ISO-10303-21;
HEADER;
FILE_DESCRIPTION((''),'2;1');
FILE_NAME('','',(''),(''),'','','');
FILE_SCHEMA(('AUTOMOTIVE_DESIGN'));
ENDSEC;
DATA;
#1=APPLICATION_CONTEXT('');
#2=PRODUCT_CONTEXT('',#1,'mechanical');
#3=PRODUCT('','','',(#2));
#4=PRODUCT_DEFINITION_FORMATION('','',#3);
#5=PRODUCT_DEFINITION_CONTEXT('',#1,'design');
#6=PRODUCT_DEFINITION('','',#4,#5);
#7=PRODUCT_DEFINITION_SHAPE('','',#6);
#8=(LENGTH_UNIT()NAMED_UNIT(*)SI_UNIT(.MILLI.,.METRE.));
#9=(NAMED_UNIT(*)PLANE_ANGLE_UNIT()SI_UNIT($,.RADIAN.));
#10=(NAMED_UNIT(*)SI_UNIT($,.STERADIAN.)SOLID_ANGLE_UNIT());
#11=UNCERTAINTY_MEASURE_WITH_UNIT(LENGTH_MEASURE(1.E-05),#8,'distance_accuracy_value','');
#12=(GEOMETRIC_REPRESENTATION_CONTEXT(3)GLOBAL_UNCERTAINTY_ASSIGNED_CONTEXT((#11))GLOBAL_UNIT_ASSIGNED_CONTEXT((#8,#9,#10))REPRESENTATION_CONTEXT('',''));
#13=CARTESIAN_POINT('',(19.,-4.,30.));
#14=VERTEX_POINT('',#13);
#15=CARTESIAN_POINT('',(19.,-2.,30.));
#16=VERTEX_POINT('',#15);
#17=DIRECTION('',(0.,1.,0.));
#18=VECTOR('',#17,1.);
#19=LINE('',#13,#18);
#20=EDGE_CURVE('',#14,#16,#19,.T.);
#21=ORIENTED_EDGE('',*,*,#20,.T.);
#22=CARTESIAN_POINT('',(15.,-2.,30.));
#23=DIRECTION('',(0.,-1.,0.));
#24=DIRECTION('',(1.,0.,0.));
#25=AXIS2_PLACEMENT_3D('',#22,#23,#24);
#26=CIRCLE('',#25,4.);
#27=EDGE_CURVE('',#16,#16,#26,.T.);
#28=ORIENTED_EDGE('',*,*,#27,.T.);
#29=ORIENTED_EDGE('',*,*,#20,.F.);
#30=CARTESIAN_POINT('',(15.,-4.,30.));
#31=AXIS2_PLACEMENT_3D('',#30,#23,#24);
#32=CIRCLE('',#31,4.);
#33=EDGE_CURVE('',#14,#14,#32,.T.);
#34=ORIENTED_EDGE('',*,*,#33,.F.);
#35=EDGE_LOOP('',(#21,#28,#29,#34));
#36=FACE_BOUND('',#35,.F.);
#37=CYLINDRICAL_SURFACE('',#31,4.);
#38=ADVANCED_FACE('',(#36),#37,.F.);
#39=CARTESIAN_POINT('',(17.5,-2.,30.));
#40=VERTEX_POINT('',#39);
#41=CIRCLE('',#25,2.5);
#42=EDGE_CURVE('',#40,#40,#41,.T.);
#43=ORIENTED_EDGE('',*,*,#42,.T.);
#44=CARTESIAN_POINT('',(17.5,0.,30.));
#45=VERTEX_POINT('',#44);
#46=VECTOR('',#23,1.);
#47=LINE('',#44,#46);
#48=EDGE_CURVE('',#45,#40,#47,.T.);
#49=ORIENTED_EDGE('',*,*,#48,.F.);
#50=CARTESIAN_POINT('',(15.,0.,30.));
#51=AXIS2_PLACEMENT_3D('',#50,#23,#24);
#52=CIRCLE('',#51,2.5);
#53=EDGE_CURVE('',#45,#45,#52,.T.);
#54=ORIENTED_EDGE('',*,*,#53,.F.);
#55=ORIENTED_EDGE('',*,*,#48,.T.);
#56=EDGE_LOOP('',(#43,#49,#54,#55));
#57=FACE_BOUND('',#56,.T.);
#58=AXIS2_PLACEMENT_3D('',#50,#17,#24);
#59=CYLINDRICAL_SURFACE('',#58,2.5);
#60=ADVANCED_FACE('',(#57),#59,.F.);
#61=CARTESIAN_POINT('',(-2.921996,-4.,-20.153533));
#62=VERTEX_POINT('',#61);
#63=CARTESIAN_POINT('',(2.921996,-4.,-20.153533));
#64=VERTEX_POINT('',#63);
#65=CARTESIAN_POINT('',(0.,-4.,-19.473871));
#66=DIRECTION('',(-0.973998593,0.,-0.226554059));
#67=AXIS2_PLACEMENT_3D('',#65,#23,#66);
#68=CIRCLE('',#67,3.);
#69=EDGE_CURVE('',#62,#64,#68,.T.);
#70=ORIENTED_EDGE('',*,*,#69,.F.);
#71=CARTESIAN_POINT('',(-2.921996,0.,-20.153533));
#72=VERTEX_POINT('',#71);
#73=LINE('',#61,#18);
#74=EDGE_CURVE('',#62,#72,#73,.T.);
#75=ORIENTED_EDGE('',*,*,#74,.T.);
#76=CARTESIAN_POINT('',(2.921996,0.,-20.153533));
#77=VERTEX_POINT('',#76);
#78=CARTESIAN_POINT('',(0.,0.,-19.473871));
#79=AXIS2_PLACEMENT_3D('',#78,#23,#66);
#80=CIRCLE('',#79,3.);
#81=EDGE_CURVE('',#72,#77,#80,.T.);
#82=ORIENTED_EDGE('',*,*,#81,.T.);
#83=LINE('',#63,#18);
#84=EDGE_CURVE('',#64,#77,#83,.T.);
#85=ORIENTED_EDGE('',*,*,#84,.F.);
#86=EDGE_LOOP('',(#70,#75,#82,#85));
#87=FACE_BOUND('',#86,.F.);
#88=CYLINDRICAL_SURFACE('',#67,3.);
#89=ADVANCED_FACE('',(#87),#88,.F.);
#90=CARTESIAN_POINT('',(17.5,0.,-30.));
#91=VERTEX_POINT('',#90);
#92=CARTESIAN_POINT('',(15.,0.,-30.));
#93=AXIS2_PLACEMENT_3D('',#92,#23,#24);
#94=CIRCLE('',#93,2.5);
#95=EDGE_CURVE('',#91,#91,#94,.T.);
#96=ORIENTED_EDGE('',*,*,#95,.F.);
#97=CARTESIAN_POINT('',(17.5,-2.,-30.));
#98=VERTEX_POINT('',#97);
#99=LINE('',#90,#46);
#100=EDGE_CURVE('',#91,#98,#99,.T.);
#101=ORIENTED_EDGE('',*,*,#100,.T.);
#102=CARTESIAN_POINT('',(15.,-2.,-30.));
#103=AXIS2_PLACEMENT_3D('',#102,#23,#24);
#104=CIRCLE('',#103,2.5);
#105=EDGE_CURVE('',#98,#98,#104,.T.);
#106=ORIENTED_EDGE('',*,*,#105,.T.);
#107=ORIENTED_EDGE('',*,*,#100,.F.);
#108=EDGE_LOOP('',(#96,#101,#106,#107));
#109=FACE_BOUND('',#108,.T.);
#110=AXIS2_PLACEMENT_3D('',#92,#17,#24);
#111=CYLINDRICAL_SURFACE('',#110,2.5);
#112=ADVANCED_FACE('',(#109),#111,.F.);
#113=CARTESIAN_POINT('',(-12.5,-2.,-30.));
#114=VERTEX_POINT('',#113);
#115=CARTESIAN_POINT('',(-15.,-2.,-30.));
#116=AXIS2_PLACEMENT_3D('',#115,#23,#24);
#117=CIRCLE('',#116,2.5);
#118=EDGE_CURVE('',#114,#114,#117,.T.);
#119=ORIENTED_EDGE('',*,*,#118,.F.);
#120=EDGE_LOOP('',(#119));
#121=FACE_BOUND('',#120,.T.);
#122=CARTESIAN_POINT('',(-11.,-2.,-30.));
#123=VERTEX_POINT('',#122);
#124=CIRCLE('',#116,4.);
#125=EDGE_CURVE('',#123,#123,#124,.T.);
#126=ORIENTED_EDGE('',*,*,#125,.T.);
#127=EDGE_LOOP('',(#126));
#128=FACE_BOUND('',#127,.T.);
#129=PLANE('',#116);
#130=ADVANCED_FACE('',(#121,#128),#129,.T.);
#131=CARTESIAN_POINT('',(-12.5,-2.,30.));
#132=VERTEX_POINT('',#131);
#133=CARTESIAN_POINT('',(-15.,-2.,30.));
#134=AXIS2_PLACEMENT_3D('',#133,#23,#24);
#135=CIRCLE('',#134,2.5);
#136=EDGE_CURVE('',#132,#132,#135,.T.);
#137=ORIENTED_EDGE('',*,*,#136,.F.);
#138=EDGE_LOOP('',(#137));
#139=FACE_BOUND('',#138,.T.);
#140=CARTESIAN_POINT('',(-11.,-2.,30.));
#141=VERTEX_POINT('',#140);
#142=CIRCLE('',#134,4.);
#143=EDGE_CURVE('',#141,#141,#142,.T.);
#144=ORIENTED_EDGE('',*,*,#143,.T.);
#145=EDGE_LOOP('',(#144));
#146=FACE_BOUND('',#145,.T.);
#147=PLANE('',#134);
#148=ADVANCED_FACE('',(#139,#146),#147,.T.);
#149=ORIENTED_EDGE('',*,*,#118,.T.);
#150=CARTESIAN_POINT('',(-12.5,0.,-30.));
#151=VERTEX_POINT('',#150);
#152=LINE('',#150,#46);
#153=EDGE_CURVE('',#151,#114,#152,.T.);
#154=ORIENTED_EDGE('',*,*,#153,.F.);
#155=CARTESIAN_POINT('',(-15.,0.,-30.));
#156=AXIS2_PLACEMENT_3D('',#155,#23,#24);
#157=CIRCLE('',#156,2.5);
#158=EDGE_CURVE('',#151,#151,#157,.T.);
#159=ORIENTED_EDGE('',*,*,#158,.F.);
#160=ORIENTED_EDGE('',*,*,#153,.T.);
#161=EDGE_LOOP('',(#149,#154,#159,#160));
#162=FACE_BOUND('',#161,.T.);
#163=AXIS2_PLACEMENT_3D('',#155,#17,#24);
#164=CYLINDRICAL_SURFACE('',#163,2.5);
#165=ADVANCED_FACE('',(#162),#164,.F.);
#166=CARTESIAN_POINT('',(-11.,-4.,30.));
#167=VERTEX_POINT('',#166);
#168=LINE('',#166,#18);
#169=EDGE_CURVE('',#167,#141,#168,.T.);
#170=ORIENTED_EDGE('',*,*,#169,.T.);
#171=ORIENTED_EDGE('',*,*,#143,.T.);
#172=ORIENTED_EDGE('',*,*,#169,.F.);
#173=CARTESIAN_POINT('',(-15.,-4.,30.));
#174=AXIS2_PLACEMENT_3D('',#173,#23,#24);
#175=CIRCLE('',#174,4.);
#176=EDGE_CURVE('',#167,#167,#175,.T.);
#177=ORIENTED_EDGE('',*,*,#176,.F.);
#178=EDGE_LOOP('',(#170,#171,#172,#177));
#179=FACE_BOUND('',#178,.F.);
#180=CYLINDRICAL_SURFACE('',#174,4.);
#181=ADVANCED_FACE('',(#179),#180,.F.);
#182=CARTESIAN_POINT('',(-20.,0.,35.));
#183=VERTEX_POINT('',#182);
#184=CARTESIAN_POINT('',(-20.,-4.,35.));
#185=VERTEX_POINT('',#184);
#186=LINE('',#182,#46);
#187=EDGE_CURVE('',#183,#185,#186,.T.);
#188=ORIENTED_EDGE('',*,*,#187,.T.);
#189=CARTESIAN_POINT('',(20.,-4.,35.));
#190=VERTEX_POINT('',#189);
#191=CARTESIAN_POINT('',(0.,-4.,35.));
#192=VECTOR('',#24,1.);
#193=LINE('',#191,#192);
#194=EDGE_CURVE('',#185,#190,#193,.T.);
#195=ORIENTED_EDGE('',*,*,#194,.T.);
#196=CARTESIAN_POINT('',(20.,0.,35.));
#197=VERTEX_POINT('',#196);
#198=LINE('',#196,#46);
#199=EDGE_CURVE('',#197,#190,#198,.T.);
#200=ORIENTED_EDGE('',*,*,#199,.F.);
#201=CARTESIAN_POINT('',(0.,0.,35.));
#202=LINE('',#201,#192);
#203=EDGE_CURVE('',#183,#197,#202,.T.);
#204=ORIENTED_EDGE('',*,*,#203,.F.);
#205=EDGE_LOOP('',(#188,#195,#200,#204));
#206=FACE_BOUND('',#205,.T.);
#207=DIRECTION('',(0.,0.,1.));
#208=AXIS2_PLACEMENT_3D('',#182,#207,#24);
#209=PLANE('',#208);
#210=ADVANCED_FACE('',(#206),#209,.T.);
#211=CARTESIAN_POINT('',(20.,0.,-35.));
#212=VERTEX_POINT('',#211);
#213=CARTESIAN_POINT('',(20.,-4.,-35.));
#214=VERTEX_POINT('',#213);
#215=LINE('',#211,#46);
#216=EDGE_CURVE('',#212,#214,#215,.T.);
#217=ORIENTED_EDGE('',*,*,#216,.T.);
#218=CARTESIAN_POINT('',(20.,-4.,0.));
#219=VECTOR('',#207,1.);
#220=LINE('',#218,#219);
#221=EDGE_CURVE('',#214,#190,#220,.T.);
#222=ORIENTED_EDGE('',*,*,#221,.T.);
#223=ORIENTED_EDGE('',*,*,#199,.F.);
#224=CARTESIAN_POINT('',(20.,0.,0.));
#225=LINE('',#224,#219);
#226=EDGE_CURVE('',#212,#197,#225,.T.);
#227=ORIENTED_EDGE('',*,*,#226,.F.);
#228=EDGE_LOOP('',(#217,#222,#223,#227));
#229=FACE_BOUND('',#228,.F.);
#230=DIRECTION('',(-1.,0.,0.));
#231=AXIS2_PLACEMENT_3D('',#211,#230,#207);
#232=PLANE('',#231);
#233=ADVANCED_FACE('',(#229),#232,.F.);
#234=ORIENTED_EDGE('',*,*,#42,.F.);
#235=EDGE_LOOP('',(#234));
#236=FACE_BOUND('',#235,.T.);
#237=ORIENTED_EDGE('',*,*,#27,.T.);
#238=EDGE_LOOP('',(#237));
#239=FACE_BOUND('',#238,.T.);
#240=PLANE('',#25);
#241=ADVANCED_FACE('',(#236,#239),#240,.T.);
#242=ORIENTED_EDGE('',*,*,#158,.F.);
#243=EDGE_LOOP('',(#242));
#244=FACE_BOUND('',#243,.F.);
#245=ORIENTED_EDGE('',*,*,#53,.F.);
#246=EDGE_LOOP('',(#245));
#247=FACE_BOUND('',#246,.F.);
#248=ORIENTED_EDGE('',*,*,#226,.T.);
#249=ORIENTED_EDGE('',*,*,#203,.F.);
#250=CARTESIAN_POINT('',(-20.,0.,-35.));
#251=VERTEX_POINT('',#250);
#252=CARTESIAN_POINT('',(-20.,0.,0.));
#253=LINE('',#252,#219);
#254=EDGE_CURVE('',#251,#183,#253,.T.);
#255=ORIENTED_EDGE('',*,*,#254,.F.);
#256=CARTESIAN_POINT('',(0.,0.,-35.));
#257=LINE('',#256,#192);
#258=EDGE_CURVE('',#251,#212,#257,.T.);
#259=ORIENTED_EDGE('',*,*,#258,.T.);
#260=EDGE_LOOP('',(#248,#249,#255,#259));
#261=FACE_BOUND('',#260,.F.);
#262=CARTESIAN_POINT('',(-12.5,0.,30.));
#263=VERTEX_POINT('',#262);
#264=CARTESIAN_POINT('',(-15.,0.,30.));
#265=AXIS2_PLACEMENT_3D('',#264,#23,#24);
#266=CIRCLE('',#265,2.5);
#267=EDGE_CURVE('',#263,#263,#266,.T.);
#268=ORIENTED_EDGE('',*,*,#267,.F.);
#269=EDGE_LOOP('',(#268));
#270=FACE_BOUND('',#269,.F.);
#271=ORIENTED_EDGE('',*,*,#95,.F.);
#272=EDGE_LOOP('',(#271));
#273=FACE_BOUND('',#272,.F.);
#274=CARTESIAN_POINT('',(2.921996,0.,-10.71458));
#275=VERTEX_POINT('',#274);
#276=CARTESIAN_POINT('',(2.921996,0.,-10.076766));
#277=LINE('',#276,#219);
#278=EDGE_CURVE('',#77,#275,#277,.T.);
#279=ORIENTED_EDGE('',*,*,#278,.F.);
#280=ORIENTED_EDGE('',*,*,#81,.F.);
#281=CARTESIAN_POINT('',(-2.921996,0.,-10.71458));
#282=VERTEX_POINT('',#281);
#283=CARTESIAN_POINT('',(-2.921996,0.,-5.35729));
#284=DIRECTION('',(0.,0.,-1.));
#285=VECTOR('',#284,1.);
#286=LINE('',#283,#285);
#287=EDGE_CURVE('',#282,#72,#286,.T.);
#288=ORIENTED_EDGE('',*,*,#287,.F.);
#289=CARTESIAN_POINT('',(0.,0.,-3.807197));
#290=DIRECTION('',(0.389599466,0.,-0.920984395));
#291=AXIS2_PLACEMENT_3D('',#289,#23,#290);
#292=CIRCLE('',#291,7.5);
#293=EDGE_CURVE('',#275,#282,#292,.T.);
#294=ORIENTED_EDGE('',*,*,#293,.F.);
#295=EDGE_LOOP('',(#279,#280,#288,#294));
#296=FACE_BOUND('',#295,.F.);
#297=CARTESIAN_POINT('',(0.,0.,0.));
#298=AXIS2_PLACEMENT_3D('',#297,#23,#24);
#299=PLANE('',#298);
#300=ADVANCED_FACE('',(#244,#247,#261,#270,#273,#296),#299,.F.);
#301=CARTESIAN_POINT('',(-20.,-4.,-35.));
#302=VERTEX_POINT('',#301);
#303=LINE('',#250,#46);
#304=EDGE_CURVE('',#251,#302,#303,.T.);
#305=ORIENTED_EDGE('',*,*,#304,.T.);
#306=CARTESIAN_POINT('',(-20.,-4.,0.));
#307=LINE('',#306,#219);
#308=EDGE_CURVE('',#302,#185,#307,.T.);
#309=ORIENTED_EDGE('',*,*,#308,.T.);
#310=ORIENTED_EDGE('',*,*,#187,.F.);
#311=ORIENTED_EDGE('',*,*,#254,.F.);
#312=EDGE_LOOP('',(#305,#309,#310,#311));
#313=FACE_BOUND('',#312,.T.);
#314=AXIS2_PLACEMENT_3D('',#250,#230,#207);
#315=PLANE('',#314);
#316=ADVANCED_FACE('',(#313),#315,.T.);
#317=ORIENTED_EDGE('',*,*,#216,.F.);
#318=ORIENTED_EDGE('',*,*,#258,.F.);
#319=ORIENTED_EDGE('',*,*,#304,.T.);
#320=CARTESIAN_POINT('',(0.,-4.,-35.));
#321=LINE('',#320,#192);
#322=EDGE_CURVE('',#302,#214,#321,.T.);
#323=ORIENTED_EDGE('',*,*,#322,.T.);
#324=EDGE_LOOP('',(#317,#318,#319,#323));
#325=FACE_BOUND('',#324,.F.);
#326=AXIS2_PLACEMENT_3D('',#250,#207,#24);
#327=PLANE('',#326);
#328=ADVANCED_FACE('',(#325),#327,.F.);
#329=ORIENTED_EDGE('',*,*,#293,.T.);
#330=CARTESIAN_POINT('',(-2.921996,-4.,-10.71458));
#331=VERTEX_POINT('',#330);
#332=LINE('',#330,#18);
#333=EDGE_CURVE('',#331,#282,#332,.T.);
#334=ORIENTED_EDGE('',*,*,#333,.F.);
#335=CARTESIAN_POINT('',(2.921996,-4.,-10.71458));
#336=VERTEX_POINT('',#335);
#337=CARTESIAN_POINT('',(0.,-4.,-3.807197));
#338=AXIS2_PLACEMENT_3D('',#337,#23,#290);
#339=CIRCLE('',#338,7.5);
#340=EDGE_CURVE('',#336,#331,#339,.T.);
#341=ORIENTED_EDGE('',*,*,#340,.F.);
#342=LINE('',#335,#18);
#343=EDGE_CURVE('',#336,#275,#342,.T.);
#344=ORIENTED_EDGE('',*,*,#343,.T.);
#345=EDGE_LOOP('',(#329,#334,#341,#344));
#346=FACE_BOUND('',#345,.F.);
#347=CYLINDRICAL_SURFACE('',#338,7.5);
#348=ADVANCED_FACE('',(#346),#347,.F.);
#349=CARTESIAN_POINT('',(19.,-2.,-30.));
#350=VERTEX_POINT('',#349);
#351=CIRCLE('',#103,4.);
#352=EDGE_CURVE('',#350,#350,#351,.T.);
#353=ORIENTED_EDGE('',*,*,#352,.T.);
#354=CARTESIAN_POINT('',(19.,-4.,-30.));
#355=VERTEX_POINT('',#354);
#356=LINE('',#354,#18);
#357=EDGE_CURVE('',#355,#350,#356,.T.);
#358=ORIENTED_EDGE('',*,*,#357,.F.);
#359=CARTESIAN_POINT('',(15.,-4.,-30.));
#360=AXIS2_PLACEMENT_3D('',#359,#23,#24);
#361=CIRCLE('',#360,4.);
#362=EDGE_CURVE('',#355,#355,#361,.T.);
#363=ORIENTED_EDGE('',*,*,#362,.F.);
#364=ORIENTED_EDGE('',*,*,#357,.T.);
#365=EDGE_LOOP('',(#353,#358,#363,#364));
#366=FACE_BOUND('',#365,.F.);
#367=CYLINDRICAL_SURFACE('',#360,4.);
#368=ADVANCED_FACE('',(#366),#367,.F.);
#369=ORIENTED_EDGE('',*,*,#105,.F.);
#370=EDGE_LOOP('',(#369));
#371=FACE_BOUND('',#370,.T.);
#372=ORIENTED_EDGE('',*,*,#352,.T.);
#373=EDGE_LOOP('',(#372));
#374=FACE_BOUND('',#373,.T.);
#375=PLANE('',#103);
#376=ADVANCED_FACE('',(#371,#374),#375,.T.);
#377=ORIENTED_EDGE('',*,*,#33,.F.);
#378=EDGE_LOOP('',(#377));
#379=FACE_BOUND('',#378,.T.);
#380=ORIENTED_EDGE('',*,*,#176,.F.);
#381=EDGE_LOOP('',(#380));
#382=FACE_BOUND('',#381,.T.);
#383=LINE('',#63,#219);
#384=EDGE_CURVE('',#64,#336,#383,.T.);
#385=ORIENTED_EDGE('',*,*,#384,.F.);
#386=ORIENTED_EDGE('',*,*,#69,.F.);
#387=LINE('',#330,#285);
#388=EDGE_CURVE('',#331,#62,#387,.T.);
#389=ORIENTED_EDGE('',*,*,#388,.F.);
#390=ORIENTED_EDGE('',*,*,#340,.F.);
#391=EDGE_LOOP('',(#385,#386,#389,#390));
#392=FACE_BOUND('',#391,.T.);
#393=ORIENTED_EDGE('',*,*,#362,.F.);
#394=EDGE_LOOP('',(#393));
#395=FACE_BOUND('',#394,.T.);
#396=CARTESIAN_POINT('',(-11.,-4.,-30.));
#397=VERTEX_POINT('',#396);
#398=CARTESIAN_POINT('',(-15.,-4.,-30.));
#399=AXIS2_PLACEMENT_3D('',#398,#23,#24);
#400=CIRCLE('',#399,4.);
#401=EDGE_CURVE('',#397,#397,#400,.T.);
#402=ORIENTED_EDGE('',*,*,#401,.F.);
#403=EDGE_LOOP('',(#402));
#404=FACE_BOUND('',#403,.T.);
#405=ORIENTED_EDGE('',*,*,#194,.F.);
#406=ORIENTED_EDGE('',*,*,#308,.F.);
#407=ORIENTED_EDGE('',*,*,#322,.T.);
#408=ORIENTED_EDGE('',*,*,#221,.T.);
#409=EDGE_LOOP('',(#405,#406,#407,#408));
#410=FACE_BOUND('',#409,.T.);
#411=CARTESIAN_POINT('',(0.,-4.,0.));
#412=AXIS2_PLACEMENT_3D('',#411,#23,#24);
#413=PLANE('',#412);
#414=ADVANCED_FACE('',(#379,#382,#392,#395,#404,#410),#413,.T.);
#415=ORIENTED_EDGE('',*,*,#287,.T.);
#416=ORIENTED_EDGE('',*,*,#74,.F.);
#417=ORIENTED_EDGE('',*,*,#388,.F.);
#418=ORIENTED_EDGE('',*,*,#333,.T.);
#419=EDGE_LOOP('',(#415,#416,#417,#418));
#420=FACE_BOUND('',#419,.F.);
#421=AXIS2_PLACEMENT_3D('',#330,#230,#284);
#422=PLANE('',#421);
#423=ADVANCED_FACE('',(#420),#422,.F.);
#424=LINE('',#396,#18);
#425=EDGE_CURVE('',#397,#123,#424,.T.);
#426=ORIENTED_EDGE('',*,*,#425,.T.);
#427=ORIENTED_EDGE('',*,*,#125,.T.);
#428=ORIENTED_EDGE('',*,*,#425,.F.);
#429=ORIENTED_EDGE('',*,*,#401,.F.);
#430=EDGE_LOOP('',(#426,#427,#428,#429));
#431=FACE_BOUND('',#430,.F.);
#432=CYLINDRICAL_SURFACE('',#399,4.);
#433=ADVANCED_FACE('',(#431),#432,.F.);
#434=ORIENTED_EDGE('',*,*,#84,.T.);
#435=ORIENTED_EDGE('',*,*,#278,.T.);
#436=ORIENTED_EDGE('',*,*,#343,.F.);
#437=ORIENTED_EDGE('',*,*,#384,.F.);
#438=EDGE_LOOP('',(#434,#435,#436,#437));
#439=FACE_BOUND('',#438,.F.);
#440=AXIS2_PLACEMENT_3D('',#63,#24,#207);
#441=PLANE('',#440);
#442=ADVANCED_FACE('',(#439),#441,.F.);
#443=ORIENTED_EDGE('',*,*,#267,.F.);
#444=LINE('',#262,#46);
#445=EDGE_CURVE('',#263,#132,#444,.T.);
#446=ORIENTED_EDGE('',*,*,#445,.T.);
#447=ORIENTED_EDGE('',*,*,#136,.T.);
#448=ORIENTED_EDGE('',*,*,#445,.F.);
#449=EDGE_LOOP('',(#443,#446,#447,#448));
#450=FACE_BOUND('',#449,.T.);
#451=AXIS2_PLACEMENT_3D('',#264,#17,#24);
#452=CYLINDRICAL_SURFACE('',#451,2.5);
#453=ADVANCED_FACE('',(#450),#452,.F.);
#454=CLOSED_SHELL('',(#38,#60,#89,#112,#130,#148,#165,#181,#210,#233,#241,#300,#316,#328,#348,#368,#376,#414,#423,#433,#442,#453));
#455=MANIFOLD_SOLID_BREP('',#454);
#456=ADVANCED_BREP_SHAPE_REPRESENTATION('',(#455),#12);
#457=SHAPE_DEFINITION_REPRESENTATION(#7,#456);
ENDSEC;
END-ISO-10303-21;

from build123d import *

# Parameters (mm, degrees)
F0_W     = 40
F0_H     = 70
F0_R     = 2.5
F1_DEPTH = 4
F2_R     = 2.5
F2_R_2   = 4
F3_DEPTH = 2
F5_DEPTH = 25


with BuildPart() as f1:
    # F0 (on Front) → F1 (new body)
    with BuildSketch(Plane.XZ):
        Rectangle(F0_W, F0_H)
        with Locations((-15, -30)):
            Circle(F0_R, mode=Mode.SUBTRACT)
        with Locations((15, -30)):
            Circle(F0_R, mode=Mode.SUBTRACT)
        with Locations((-15, 30)):
            Circle(F0_R, mode=Mode.SUBTRACT)
        with Locations((15, 30)):
            Circle(F0_R, mode=Mode.SUBTRACT)
    extrude(amount=F1_DEPTH)

    # F2 (on face) → F3 (cut)
    with BuildSketch(Plane.XZ.offset(4)):
        with Locations((-15, 30)):
            Circle(F2_R)
        with Locations((-15, -30)):
            Circle(F2_R)
        with Locations((15, 30)):
            Circle(F2_R)
        with Locations((15, -30)):
            Circle(F2_R)
        with Locations((15, 30)):
            Circle(F2_R_2)
        with Locations((15, 30)):
            Circle(F2_R, mode=Mode.SUBTRACT)
        with Locations((15, -30)):
            Circle(F2_R_2)
        with Locations((15, -30)):
            Circle(F2_R, mode=Mode.SUBTRACT)
        with Locations((-15, -30)):
            Circle(F2_R_2)
        with Locations((-15, -30)):
            Circle(F2_R, mode=Mode.SUBTRACT)
        with Locations((-15, 30)):
            Circle(F2_R_2)
        with Locations((-15, 30)):
            Circle(F2_R, mode=Mode.SUBTRACT)
    extrude(amount=-F3_DEPTH, mode=Mode.SUBTRACT)

    # F4 (on face) → F5 (cut)
    with BuildSketch(Plane.XZ.offset(4)):
        with BuildLine():
            Line((2.921996, -20.153533), (2.921996, -10.71458))
            ThreePointArc((2.921996, -10.71458), (0, 3.692803), (-2.921996, -10.71458))
            Line((-2.921996, -10.71458), (-2.921996, -20.153533))
            ThreePointArc((-2.921996, -20.153533), (0, -22.473871), (2.921996, -20.153533))
        make_face()
    extrude(amount=-F5_DEPTH, mode=Mode.SUBTRACT)


solid = f1.part
